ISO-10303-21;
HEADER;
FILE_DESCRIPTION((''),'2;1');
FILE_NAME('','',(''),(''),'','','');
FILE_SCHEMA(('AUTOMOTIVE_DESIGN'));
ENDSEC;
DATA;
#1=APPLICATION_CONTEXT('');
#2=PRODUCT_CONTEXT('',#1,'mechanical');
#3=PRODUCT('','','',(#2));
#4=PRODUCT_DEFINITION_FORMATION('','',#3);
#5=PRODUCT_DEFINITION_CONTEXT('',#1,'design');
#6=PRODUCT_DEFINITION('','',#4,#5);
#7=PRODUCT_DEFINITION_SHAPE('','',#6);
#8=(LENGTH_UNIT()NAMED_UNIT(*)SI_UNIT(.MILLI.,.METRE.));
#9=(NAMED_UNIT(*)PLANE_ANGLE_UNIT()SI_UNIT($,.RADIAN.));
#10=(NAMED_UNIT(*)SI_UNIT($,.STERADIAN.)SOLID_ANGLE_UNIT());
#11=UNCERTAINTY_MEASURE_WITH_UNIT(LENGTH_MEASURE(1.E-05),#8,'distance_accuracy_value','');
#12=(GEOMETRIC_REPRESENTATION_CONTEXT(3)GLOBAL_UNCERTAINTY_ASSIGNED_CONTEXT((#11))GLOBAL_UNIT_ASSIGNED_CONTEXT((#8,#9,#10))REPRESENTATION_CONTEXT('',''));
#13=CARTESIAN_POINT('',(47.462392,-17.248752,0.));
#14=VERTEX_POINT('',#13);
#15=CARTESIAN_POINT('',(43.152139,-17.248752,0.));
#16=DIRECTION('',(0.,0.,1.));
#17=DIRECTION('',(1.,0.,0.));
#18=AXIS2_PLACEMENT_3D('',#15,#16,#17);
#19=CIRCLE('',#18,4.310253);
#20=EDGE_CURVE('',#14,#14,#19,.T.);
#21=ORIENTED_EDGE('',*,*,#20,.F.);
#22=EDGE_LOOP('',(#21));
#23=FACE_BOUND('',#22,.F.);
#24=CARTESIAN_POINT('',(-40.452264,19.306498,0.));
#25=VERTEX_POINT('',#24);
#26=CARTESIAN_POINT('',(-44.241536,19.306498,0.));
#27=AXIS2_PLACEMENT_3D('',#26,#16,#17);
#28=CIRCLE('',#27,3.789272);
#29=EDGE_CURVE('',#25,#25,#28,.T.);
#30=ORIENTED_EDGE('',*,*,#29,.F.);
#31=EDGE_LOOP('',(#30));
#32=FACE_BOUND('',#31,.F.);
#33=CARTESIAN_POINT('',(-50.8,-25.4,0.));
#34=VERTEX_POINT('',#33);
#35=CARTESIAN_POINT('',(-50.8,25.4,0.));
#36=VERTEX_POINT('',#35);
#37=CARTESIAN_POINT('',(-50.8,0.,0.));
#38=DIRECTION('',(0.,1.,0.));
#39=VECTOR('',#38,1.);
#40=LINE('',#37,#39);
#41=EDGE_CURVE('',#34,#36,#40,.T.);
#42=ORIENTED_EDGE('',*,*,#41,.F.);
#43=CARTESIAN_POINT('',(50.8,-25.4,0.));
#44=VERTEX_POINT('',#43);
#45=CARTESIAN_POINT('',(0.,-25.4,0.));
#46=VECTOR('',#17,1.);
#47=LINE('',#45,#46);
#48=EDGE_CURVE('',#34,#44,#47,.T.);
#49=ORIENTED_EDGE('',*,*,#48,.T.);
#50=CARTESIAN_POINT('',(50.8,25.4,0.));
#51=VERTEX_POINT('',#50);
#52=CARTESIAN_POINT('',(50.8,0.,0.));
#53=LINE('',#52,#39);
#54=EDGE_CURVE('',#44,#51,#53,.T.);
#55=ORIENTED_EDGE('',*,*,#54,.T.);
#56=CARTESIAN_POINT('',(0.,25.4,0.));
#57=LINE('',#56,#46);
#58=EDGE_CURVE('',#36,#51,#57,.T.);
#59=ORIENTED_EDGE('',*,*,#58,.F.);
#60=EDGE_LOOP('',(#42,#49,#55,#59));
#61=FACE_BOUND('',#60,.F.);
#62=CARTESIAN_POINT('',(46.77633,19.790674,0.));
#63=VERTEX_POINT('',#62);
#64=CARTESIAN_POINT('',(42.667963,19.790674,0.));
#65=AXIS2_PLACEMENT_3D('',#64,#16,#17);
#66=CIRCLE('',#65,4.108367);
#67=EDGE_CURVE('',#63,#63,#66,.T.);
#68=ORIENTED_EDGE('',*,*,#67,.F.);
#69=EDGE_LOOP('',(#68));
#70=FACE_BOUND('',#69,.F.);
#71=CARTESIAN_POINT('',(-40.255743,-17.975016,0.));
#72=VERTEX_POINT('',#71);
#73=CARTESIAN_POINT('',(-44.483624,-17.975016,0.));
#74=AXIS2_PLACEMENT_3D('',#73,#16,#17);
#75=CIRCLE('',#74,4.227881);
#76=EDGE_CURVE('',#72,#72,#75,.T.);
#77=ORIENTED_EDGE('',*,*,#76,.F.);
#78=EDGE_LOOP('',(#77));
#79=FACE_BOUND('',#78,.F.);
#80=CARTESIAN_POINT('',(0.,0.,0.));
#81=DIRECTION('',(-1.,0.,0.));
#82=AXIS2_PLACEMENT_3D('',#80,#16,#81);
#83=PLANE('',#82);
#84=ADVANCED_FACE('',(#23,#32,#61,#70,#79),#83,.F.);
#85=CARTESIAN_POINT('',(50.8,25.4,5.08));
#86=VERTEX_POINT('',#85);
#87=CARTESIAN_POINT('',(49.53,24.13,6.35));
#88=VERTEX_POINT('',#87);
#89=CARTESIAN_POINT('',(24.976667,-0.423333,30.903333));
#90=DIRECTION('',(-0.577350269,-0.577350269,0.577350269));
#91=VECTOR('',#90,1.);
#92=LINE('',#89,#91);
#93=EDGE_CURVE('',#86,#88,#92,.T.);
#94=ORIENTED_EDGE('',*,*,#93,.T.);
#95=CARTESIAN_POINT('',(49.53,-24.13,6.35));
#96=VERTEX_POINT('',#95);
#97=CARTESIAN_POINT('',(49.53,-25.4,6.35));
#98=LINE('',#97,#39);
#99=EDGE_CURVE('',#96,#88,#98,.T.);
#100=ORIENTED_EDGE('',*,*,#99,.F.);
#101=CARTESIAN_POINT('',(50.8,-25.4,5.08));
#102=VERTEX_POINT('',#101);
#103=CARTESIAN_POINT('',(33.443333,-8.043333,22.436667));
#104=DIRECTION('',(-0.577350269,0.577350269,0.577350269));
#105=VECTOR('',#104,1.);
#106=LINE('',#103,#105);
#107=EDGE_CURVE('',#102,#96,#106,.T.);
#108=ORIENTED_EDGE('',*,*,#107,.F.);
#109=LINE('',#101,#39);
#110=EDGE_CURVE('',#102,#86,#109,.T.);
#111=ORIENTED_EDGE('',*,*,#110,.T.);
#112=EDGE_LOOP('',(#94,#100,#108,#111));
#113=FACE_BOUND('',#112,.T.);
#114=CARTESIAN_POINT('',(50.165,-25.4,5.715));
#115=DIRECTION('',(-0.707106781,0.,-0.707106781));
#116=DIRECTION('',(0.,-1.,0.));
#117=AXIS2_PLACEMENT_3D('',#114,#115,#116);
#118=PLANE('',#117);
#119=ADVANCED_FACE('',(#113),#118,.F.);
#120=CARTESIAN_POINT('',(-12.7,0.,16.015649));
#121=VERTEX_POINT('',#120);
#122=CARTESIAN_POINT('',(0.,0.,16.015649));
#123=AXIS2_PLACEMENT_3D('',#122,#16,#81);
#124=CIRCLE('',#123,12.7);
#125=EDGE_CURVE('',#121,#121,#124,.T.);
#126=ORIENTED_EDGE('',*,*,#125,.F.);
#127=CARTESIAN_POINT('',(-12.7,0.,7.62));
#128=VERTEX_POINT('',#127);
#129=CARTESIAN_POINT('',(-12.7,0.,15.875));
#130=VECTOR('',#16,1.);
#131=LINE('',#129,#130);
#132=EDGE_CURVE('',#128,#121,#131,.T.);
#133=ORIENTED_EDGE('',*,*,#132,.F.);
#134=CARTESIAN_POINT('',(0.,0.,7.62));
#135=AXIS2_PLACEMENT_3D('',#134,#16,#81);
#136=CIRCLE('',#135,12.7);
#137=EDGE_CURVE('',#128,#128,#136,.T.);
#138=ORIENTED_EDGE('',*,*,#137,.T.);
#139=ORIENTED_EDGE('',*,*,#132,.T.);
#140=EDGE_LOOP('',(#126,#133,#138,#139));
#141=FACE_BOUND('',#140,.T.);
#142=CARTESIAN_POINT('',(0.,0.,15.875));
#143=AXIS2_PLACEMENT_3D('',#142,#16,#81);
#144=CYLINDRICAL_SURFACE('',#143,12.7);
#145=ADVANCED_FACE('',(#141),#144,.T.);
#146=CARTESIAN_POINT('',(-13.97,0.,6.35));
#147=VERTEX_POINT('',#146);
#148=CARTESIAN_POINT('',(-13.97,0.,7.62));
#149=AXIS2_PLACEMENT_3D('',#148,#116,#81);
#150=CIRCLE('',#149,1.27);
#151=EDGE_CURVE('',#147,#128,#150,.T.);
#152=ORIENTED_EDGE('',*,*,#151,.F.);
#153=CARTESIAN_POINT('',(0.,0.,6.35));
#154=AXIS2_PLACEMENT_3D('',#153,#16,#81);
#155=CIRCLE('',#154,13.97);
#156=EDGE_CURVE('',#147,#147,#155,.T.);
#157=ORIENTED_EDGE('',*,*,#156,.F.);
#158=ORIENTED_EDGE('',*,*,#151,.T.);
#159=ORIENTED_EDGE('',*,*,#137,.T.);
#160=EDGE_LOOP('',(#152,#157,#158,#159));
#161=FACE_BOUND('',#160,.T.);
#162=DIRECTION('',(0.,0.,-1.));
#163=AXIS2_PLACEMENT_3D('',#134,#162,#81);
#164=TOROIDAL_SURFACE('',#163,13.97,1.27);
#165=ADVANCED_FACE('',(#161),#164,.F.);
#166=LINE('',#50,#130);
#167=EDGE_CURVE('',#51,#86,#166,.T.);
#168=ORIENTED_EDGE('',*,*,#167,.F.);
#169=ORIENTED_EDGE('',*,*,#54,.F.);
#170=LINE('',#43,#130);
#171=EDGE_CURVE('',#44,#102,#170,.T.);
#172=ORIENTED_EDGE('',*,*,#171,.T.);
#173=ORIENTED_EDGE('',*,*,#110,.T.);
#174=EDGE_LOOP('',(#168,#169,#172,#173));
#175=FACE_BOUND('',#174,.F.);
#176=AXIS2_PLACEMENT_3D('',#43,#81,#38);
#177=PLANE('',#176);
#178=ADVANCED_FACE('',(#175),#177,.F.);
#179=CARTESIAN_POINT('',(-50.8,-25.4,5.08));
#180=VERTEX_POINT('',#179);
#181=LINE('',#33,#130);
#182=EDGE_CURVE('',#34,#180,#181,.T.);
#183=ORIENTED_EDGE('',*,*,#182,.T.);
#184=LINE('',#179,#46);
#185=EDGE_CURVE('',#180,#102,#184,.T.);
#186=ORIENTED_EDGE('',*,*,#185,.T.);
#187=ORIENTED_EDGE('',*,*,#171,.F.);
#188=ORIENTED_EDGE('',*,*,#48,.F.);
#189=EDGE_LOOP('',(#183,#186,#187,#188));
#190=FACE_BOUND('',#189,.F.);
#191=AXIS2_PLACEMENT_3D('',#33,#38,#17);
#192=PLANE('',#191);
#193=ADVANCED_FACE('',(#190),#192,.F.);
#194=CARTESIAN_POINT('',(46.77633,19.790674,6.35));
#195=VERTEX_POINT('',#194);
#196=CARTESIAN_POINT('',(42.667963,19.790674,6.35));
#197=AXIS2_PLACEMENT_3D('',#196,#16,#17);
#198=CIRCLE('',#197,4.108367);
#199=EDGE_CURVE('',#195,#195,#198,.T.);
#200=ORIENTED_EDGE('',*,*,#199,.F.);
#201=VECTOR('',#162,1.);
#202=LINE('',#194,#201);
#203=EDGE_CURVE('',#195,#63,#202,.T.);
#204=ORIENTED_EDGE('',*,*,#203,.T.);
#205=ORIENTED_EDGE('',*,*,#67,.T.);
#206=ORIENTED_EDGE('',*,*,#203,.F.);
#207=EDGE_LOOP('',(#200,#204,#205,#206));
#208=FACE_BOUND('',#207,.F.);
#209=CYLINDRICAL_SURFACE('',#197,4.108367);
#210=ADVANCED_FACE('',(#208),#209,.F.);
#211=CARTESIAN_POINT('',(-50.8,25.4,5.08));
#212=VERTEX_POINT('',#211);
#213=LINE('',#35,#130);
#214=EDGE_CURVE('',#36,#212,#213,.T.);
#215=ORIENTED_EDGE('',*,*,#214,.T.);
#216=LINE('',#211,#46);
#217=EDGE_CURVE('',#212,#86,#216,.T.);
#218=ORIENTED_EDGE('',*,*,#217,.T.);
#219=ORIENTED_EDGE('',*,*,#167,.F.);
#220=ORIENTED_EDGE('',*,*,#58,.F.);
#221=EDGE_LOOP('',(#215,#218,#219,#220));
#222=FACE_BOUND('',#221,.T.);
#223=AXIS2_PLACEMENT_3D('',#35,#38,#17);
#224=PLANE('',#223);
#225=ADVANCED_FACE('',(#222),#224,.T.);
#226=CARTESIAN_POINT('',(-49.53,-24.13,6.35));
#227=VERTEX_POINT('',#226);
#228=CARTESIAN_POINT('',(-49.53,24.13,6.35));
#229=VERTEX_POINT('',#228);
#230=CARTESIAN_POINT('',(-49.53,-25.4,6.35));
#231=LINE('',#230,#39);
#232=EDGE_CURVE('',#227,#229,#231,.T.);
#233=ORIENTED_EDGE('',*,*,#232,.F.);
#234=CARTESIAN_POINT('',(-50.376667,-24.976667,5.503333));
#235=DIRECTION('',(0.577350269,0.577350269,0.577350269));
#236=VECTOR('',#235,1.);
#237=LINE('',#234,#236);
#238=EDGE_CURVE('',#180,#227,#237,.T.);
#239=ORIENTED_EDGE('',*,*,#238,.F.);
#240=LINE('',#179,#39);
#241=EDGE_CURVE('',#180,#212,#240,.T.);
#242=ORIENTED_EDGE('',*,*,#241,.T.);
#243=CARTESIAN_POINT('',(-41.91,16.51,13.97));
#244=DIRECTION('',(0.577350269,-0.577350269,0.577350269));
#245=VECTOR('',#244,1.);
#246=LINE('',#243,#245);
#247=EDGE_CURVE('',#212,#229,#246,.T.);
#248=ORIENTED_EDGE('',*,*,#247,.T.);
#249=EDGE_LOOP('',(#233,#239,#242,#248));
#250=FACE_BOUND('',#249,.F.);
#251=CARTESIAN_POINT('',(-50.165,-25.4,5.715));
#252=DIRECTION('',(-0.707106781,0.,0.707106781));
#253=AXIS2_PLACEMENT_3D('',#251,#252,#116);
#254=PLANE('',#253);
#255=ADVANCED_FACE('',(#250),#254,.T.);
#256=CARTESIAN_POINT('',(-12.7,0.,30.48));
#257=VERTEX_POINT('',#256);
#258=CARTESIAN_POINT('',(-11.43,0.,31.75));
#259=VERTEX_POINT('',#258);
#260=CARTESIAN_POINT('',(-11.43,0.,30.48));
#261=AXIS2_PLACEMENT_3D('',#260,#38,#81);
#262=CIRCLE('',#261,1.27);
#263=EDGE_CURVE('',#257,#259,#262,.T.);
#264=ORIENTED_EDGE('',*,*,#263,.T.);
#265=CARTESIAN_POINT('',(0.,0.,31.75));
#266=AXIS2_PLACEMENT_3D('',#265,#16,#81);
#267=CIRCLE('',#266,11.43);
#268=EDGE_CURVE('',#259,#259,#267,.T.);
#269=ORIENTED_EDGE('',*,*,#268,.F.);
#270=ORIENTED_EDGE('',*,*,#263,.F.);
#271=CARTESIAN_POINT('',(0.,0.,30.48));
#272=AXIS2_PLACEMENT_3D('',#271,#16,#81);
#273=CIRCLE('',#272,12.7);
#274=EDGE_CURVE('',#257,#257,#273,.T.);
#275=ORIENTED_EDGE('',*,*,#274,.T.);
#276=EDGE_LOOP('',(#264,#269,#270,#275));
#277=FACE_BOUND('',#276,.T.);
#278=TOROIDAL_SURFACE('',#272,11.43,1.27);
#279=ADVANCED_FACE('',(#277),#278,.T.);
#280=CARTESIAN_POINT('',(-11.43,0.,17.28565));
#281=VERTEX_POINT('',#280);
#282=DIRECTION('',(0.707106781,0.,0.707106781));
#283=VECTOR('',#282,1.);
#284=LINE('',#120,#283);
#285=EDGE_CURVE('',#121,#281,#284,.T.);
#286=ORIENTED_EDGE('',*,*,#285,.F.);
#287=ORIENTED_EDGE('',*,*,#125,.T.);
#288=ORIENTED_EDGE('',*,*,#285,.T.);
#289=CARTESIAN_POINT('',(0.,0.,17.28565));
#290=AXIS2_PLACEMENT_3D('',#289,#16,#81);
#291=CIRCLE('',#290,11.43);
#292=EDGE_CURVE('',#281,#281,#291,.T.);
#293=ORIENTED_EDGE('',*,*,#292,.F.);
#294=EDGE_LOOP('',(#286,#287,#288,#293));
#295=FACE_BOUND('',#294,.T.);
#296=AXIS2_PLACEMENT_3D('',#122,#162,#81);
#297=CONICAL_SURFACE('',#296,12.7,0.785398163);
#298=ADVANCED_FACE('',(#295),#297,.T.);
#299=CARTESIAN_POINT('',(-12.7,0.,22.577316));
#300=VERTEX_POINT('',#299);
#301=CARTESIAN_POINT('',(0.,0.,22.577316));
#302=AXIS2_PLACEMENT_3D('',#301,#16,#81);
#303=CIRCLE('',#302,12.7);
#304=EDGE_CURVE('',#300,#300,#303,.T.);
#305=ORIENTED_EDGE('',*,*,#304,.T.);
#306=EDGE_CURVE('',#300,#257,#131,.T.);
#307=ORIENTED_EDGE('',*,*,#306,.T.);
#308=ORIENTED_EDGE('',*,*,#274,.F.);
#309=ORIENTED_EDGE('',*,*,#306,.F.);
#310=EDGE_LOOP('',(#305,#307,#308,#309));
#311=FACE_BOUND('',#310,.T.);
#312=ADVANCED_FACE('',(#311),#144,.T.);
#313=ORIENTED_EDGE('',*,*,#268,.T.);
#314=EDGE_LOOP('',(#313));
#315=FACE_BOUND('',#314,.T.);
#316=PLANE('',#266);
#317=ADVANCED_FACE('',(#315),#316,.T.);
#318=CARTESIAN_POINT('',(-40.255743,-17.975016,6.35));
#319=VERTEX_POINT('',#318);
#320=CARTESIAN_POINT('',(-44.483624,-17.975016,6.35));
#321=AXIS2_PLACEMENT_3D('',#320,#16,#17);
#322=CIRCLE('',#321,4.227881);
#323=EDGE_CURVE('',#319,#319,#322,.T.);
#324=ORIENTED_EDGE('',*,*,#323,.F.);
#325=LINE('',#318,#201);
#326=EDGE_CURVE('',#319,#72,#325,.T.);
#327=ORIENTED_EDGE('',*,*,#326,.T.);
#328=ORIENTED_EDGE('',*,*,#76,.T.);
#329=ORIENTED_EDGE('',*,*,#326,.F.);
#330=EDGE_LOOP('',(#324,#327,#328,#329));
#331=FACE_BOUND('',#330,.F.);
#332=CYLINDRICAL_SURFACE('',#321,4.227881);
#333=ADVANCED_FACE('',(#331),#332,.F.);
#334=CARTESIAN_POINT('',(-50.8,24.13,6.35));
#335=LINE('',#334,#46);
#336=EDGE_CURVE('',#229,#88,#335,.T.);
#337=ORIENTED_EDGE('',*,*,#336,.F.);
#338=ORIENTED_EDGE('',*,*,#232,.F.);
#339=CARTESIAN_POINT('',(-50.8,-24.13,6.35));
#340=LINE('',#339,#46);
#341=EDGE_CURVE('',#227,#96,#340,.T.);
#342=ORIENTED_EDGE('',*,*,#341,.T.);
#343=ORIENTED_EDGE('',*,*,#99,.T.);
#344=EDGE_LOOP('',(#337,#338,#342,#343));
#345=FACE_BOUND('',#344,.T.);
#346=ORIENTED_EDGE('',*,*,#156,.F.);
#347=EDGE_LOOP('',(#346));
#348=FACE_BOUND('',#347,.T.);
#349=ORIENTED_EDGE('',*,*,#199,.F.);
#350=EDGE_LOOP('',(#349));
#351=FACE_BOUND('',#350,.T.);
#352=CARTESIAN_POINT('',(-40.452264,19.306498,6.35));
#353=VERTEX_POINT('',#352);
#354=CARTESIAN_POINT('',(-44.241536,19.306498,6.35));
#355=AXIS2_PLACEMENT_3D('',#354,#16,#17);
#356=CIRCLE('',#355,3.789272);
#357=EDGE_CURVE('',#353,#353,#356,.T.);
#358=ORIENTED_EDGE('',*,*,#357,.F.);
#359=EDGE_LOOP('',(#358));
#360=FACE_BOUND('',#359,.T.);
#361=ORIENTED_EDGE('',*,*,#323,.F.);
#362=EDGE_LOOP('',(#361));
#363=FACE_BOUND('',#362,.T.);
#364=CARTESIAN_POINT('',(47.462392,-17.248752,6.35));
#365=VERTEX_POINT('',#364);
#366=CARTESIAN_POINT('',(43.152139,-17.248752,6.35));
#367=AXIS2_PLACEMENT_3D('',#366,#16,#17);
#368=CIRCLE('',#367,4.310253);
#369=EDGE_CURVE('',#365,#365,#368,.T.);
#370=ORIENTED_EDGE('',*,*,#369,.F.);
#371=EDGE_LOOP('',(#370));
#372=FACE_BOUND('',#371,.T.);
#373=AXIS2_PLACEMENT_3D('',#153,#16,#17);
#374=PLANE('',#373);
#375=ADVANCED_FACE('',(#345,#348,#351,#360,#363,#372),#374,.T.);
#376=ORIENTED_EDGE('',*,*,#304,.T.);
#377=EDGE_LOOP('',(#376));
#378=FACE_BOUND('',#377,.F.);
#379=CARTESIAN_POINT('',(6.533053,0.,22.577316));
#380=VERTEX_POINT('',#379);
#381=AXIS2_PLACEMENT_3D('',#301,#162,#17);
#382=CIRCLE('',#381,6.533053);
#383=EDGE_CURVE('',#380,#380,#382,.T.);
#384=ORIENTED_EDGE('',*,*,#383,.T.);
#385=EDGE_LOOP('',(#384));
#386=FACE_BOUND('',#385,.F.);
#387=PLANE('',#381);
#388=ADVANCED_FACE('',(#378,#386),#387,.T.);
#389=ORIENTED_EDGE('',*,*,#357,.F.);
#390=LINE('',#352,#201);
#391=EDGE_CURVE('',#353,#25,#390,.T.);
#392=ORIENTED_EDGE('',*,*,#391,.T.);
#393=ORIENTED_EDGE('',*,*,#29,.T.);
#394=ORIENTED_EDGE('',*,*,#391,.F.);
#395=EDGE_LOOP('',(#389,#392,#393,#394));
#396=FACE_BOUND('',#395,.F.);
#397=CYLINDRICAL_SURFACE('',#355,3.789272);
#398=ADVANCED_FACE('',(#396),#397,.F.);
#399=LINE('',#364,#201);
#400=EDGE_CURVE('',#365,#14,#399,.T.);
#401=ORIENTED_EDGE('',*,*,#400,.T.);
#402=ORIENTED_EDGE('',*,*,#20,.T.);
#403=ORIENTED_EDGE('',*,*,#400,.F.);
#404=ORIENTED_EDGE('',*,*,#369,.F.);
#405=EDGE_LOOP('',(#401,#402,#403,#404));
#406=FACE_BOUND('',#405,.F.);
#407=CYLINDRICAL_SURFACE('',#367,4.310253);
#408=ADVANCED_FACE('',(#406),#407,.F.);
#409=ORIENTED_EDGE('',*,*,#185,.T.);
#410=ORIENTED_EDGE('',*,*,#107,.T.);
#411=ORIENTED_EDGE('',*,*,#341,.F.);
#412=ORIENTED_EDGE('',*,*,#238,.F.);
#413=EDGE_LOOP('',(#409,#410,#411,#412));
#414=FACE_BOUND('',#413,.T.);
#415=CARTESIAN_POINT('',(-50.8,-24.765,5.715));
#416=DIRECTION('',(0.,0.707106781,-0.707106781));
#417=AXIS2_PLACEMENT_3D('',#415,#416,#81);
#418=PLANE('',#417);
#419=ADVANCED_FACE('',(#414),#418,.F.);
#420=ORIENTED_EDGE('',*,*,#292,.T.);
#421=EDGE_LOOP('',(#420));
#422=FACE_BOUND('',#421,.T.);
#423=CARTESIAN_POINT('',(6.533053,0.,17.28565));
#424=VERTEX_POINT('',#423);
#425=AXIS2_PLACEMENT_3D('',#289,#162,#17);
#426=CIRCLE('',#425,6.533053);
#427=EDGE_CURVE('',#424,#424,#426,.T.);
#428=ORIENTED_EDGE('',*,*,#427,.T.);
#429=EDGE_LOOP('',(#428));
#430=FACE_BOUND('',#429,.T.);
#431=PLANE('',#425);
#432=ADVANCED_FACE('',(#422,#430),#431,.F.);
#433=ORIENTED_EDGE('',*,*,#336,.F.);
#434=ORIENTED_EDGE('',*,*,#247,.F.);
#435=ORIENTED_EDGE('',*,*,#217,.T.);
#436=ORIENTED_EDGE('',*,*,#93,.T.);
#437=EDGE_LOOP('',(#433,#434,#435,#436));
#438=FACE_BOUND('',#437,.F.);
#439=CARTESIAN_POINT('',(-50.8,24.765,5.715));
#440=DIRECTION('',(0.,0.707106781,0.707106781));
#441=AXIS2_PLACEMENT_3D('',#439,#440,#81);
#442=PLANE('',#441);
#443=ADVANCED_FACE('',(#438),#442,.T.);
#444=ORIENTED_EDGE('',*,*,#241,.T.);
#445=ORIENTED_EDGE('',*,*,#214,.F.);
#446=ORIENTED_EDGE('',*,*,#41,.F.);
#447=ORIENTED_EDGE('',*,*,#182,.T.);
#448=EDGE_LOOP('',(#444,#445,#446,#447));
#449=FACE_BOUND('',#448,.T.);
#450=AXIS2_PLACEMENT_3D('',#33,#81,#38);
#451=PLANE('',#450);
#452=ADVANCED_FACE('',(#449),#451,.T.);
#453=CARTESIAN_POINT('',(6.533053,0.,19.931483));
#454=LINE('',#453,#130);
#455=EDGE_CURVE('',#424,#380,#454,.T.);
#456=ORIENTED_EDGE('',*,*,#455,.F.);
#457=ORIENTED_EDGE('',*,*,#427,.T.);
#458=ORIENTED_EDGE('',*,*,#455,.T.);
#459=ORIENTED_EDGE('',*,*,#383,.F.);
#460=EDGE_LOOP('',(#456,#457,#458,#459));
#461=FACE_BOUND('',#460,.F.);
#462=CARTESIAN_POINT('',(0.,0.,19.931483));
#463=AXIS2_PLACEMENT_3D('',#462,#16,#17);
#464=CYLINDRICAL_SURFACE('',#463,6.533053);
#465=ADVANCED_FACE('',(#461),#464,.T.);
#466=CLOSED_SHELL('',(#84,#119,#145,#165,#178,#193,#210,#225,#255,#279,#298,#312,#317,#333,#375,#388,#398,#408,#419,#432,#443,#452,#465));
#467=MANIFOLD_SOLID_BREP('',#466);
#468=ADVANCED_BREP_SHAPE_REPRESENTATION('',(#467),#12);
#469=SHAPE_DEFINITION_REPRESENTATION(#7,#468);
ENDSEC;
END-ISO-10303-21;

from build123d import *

# Parameters (mm, degrees)
F0_W     = 101.6
F0_H     = 50.8
F1_DEPTH = 6.35
F2_R     = 3.789272
F2_R_2   = 4.108367
F2_R_3   = 4.310253
F2_R_4   = 4.227881
F3_DEPTH = 6.35
F4_W     = 12.7
F4_H     = 31.75
F6_W     = 6.35
F6_H     = 5.291667
F8_SIZE  = 1.27
F9_R     = 1.27
F10_SIZE = 1.27


with BuildPart() as f1:
    # F0 (on Top) → F1 (new body)
    with BuildSketch(Plane.XY):
        Rectangle(F0_W, F0_H)
    extrude(amount=F1_DEPTH)

    # F2 (on face) → F3 (cut)
    with BuildSketch(Plane.XY.offset(6.35)):
        with Locations((-44.241536, 19.306498)):
            Circle(F2_R)
        with Locations((42.667963, 19.790674)):
            Circle(F2_R_2)
        with Locations((43.152139, -17.248752)):
            Circle(F2_R_3)
        with Locations((-44.483624, -17.975016)):
            Circle(F2_R_4)
    extrude(amount=-F3_DEPTH, mode=Mode.SUBTRACT)

    # F4 (on Front) → F5 (revolve)
    with BuildSketch(Plane.XZ):
        with Locations((-6.35, 15.875)):
            Rectangle(F4_W, F4_H)
    revolve(axis=Axis((0, 0, 15.875), (0, 0, 1)))

    # F6 (on Front) → F7 (revolve, cut)
    with BuildSketch(Plane.XZ):
        with Locations((9.708053, 19.931483)):
            Rectangle(F6_W, F6_H)
    revolve(axis=Axis((0, 0, 31.75), (0, 0, -1)), mode=Mode.SUBTRACT)

    # F8
    f8_edges = [f1.edges().sort_by_distance(p)[0] for p in [
        (0, -25.4, 6.35),
        (-50.8, 0, 6.35),
        (0, 25.4, 6.35),
        (50.8, 0, 6.35),
    ]]
    chamfer(f8_edges, length=F8_SIZE)

    # F9
    f9_edges = [f1.edges().sort_by_distance(p)[0] for p in [
        (12.7, 0, 6.35),
        (12.7, 0, 31.75),
    ]]
    fillet(f9_edges, radius=F9_R)

    # F10
    f10_edges = [f1.edges().sort_by_distance(p)[0] for p in [
        (12.7, 0, 17.285649),
    ]]
    chamfer(f10_edges, length=F10_SIZE)


solid = f1.part
